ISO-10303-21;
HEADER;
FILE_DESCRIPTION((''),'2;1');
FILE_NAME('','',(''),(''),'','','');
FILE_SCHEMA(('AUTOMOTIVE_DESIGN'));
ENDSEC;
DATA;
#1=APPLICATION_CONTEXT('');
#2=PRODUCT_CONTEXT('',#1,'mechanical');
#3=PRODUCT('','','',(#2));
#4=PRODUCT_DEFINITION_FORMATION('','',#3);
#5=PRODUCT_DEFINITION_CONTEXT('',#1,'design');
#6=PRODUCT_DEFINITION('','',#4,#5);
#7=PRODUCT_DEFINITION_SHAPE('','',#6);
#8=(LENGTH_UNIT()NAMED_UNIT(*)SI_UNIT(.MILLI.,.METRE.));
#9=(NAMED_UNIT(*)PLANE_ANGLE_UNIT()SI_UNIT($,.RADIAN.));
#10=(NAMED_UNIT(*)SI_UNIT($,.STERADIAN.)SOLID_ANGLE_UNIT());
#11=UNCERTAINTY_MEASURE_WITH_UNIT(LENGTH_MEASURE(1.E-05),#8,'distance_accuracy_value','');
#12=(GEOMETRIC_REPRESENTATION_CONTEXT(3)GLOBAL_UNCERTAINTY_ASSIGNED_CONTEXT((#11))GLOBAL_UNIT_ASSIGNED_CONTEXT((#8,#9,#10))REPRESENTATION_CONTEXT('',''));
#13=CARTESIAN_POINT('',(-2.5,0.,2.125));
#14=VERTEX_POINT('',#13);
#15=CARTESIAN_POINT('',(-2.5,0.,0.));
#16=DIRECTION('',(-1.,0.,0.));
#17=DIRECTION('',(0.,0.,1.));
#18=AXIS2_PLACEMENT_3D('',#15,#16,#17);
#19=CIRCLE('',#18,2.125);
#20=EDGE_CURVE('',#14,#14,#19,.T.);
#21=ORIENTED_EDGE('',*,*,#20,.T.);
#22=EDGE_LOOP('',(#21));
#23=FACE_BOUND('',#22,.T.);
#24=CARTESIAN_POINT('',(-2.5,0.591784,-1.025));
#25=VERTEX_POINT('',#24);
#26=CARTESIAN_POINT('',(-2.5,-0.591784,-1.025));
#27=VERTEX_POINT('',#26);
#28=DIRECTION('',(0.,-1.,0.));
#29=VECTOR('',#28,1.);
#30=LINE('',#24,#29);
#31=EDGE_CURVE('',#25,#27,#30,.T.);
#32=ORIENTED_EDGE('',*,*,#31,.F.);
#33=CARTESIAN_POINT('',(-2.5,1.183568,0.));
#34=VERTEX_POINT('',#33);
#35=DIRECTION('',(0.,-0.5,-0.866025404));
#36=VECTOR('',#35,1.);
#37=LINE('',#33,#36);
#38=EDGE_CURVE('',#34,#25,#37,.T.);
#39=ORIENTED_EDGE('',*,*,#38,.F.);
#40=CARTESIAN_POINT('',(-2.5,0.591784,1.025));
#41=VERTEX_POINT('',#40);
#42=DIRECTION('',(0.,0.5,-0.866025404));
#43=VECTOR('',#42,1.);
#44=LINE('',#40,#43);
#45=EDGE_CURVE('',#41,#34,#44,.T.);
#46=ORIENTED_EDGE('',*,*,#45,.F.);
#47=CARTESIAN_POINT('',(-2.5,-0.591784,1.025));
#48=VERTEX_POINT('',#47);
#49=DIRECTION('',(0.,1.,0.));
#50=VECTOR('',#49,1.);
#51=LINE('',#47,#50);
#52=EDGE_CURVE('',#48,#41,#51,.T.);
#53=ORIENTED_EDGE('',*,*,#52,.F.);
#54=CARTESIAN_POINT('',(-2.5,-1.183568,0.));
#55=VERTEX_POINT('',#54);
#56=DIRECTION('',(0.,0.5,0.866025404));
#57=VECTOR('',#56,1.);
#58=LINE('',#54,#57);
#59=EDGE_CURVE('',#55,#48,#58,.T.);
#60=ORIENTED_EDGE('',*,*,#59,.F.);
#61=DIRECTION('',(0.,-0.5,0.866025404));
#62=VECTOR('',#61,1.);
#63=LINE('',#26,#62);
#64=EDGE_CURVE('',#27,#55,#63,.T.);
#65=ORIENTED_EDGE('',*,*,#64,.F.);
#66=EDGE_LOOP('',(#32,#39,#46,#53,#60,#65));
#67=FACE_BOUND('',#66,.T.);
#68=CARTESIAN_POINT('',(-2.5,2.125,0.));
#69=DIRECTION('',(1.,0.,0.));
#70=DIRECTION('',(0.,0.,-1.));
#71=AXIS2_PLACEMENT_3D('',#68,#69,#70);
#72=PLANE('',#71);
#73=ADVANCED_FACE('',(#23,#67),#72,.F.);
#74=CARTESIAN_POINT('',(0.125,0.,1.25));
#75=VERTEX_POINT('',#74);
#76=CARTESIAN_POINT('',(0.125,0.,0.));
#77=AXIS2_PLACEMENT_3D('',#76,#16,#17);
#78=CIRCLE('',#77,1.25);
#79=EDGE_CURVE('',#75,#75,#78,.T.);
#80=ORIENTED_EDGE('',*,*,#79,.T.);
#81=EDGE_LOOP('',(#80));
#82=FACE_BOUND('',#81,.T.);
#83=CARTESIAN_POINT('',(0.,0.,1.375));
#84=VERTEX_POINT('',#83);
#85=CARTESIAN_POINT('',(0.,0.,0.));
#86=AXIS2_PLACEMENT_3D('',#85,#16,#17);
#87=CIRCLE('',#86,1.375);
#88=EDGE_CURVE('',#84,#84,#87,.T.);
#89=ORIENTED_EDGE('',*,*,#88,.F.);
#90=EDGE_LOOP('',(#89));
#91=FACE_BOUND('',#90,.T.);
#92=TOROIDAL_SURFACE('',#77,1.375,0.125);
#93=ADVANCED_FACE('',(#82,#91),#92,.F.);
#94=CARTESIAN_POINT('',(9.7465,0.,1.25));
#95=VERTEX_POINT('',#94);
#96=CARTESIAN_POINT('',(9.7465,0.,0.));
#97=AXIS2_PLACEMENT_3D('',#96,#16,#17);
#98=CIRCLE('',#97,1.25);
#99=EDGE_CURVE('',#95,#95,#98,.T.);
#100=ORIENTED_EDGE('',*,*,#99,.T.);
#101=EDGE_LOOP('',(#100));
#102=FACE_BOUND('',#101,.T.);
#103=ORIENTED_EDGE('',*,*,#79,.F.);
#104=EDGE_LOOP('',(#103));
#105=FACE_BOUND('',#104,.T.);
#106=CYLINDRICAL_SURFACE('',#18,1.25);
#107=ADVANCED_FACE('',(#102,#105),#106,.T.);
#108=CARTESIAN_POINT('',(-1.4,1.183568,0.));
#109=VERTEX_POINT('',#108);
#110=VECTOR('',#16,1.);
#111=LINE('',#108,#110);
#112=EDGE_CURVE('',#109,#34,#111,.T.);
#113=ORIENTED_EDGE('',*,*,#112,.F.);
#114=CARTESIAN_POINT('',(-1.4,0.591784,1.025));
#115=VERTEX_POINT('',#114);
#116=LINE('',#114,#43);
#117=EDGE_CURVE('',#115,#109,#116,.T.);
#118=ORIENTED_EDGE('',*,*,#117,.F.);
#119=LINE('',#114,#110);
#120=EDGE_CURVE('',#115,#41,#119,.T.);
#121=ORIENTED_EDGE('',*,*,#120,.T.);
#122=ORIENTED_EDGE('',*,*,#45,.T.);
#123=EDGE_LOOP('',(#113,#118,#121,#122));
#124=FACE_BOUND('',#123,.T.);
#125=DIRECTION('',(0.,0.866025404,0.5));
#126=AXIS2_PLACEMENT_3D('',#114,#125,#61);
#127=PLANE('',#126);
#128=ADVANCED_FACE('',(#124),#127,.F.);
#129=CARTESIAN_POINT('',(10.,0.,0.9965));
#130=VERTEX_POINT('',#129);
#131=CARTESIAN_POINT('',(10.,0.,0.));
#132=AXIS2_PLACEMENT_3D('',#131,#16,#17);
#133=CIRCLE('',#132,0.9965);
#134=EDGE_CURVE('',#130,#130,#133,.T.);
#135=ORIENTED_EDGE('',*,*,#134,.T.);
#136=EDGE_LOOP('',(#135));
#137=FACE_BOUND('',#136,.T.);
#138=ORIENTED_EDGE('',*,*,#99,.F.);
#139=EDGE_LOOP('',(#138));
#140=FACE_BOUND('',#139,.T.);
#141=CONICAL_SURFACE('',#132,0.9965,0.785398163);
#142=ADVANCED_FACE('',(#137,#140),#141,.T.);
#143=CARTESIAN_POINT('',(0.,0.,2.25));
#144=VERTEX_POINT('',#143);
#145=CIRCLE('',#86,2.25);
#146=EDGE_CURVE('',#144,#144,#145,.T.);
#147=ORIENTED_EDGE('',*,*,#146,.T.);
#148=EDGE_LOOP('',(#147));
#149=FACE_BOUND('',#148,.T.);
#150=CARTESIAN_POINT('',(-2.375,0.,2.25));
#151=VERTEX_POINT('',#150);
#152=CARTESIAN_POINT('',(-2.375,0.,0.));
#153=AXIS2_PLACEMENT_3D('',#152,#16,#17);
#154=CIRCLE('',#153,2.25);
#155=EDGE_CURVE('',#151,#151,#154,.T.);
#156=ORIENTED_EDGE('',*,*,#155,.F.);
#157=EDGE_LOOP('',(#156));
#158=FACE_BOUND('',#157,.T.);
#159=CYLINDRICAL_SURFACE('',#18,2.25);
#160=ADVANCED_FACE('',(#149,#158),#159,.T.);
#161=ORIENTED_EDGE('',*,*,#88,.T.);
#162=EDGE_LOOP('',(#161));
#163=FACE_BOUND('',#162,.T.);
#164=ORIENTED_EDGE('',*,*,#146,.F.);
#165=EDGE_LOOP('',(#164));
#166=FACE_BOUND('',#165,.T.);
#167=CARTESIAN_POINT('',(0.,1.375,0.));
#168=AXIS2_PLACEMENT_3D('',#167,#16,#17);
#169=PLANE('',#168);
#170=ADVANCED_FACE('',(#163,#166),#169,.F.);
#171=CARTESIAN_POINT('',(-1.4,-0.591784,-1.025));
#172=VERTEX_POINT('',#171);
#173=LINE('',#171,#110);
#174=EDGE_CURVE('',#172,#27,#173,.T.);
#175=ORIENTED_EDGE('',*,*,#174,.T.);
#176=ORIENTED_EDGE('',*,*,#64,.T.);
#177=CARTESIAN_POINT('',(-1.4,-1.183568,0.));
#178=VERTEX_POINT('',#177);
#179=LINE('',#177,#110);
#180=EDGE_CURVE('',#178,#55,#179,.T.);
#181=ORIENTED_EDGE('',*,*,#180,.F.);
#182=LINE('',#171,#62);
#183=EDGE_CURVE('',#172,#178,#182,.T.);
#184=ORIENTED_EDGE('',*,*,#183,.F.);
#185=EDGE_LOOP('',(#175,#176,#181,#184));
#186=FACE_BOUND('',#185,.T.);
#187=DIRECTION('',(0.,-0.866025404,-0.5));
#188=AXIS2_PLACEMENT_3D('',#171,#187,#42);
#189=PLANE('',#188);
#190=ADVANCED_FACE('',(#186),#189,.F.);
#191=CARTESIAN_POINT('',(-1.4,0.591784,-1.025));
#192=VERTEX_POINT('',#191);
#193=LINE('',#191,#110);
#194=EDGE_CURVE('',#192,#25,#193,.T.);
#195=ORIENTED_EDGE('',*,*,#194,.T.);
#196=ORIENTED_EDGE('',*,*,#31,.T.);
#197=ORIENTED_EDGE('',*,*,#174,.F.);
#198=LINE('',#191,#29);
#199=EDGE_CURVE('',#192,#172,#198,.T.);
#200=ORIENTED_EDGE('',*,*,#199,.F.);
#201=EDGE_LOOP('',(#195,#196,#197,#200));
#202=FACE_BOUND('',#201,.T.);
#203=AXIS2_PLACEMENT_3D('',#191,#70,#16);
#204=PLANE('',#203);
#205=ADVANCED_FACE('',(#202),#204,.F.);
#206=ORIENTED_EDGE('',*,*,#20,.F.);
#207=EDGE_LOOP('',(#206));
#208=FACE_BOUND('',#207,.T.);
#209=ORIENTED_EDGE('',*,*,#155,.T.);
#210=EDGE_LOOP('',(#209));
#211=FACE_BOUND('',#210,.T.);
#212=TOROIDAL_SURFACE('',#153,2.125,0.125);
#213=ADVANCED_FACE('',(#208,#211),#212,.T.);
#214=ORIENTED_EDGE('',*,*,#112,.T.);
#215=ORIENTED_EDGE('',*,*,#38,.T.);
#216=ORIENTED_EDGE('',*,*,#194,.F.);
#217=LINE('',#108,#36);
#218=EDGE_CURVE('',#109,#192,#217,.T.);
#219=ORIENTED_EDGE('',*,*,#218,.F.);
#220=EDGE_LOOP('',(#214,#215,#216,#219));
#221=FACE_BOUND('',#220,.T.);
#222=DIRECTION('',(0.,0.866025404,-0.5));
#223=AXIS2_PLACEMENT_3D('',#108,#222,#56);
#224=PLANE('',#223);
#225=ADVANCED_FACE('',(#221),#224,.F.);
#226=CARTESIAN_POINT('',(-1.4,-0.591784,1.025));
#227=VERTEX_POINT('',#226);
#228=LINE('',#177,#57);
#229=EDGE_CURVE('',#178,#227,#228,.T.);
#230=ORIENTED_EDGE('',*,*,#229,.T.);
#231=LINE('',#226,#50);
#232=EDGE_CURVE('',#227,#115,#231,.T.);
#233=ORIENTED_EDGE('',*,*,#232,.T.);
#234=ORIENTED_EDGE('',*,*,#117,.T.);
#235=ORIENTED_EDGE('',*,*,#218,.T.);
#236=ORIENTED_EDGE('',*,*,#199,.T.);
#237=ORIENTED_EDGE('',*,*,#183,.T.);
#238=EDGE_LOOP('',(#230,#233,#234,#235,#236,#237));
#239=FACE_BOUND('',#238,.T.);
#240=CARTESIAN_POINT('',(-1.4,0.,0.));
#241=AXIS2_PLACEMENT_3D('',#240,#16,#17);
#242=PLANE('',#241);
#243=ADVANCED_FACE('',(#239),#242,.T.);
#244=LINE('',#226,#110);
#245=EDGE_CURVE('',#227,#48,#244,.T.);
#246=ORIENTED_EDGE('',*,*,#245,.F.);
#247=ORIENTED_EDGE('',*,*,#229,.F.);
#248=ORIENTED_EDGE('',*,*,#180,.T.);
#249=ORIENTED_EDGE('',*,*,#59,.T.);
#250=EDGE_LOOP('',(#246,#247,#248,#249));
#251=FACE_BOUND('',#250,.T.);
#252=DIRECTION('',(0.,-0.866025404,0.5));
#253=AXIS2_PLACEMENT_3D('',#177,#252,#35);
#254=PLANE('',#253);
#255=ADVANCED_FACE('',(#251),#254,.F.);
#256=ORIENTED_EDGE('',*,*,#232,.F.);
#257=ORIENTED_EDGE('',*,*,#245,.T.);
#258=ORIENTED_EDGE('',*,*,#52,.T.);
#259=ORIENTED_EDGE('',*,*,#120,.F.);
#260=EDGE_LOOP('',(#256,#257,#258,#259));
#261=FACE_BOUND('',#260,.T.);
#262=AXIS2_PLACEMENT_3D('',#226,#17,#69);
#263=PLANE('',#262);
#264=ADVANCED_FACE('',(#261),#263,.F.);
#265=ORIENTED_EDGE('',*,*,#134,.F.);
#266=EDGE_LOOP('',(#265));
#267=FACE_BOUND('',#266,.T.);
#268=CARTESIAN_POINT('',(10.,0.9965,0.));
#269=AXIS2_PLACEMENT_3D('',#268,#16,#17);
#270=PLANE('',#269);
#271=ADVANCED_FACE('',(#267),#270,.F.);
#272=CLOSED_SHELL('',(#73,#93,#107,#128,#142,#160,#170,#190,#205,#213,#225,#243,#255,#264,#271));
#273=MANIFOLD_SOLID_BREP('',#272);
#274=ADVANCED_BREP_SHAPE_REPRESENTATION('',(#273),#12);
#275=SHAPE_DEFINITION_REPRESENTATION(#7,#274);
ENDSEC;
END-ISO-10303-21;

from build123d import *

# Parameters (mm, degrees)
CUT_EXTRUDE1_DEPTH = 1.1


with BuildPart() as part:
    # Sketch1 → Revolve1 (revolve)
    with BuildSketch(Plane.XY):
        with BuildLine():
            Line((9.7465, 1.25), (0.125, 1.25))
            ThreePointArc((0.125, 1.25), (0.036611652, 1.286611652), (0, 1.375))
            Line((0, 1.375), (0, 2.25))
            Line((0, 2.25), (-2.375, 2.25))
            ThreePointArc((-2.375, 2.25), (-2.463388348, 2.213388348), (-2.5, 2.125))
            Line((-2.5, 2.125), (-2.5, 0))
            Line((-2.5, 0), (10, 0))
            Line((10, 0), (10, 0.9965))
            Line((10, 0.9965), (9.7465, 1.25))
        make_face()
    revolve(axis=Axis((-2.5, 0, 0), (1, 0, 0)))

    # Sketch2 → Cut-Extrude1 (cut)
    with BuildSketch(Plane.ZY.offset(2.5)):
        Polygon((1.025, 0.591784026), (0, 1.183568052), (-1.025, 0.591784026), (-1.025, -0.591784026), (0, -1.183568052), (1.025, -0.591784026), align=None)
    extrude(amount=-CUT_EXTRUDE1_DEPTH, mode=Mode.SUBTRACT)


solid = part.part
